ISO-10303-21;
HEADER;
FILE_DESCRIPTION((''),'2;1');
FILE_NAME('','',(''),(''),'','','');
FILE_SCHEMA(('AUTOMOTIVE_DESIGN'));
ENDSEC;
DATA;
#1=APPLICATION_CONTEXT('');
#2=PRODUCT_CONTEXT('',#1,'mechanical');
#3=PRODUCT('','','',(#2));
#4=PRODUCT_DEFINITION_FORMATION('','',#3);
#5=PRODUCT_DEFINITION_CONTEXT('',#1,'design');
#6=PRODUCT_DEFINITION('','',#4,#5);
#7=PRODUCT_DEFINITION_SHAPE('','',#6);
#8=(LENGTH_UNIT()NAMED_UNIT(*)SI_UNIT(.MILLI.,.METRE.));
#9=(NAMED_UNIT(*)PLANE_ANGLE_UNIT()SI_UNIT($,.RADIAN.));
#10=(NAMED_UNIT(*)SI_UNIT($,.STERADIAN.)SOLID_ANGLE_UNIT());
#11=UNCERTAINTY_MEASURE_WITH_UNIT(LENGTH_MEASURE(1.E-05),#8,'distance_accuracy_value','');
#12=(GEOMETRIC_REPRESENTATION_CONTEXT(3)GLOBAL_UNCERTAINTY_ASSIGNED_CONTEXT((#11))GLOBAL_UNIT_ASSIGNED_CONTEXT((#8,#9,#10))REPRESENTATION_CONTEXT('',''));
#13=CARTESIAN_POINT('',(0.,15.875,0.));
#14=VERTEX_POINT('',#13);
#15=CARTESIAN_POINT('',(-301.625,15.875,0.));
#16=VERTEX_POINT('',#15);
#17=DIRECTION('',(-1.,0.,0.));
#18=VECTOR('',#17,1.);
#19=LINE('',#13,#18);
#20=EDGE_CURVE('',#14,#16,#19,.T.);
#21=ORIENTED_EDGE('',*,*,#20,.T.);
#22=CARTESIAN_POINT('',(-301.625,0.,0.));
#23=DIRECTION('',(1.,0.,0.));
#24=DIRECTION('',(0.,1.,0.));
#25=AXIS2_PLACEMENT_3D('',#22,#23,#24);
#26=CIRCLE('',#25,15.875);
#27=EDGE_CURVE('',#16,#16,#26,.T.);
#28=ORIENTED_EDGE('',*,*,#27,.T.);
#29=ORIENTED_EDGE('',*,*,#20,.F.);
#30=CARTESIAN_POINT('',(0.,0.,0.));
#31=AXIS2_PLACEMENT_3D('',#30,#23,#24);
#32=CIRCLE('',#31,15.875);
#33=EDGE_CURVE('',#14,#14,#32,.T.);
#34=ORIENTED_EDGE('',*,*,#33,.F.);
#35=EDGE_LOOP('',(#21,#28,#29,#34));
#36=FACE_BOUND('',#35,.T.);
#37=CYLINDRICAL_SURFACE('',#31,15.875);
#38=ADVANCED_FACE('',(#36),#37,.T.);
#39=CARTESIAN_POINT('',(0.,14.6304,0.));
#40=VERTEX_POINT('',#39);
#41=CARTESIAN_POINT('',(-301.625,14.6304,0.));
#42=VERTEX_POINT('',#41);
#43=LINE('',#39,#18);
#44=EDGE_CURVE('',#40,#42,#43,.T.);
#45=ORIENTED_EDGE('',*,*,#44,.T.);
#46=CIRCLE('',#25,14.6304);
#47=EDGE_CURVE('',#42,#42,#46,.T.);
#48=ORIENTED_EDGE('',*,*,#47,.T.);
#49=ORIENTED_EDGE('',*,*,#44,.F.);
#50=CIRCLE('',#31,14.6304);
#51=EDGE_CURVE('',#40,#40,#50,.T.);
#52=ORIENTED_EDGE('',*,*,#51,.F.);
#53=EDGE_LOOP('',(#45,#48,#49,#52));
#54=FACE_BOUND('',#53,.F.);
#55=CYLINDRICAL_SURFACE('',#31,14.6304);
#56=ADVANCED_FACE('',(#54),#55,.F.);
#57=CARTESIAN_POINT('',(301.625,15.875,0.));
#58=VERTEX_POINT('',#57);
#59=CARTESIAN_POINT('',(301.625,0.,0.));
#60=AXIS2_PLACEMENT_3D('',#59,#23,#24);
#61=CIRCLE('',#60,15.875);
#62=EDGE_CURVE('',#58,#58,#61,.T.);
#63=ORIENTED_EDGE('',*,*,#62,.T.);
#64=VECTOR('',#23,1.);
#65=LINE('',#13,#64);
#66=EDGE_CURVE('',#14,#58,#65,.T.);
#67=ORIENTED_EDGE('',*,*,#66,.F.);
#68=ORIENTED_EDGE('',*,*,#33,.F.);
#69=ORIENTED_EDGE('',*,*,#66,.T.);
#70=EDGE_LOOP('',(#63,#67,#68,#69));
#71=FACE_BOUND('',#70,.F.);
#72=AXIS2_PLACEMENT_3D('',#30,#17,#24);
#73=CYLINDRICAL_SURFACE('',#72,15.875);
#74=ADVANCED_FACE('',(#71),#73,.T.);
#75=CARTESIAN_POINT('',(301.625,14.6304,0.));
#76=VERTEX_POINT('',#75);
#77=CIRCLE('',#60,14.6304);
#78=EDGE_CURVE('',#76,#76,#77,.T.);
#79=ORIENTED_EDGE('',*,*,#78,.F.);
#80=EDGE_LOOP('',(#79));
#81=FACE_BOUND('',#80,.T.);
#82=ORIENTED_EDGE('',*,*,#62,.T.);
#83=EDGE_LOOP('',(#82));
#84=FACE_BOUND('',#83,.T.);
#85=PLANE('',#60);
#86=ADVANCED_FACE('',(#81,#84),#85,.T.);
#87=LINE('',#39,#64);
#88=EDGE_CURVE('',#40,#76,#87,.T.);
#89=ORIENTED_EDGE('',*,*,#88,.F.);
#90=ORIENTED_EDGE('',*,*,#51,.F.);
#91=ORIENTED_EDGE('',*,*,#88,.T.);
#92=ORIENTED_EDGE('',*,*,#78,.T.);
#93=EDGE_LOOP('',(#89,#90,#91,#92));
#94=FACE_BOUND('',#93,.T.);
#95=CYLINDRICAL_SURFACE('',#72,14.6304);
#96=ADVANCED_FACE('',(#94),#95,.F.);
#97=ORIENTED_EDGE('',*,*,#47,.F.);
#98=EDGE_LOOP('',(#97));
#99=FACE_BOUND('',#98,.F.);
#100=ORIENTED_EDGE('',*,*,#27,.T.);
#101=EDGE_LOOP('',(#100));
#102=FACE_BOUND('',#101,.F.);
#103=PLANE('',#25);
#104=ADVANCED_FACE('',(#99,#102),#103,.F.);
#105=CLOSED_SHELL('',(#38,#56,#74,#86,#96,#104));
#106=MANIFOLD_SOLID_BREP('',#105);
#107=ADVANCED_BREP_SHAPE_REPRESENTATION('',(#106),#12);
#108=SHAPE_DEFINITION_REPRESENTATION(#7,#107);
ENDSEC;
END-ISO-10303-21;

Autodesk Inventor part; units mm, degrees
ref_plane "YZ Plane" through (0, 0, 0) normal (1, 0, 0) x (0, 1, 0)
ref_plane "XZ Plane" through (0, 0, 0) normal (0, 1, 0) x (-1, 0, 0)
ref_plane "XY Plane" through (0, 0, 0) normal (0, 0, 1) x (1, 0, 0)
sketch "Sketch1" plane through (0, 0, 0) normal (1, 0, 0) x (0, 1, 0)
  circle A0 centre (0, 0) radius 15.875
  circle A1 centre (0, 0) radius 14.6304
  dimension "d0" = 31.75
  dimension "d4" = 1.2446
extrude "Extrusion1" add sketch "Sketch1" along normal mid plane 603.25
properties part number "1in PVC Roller"
